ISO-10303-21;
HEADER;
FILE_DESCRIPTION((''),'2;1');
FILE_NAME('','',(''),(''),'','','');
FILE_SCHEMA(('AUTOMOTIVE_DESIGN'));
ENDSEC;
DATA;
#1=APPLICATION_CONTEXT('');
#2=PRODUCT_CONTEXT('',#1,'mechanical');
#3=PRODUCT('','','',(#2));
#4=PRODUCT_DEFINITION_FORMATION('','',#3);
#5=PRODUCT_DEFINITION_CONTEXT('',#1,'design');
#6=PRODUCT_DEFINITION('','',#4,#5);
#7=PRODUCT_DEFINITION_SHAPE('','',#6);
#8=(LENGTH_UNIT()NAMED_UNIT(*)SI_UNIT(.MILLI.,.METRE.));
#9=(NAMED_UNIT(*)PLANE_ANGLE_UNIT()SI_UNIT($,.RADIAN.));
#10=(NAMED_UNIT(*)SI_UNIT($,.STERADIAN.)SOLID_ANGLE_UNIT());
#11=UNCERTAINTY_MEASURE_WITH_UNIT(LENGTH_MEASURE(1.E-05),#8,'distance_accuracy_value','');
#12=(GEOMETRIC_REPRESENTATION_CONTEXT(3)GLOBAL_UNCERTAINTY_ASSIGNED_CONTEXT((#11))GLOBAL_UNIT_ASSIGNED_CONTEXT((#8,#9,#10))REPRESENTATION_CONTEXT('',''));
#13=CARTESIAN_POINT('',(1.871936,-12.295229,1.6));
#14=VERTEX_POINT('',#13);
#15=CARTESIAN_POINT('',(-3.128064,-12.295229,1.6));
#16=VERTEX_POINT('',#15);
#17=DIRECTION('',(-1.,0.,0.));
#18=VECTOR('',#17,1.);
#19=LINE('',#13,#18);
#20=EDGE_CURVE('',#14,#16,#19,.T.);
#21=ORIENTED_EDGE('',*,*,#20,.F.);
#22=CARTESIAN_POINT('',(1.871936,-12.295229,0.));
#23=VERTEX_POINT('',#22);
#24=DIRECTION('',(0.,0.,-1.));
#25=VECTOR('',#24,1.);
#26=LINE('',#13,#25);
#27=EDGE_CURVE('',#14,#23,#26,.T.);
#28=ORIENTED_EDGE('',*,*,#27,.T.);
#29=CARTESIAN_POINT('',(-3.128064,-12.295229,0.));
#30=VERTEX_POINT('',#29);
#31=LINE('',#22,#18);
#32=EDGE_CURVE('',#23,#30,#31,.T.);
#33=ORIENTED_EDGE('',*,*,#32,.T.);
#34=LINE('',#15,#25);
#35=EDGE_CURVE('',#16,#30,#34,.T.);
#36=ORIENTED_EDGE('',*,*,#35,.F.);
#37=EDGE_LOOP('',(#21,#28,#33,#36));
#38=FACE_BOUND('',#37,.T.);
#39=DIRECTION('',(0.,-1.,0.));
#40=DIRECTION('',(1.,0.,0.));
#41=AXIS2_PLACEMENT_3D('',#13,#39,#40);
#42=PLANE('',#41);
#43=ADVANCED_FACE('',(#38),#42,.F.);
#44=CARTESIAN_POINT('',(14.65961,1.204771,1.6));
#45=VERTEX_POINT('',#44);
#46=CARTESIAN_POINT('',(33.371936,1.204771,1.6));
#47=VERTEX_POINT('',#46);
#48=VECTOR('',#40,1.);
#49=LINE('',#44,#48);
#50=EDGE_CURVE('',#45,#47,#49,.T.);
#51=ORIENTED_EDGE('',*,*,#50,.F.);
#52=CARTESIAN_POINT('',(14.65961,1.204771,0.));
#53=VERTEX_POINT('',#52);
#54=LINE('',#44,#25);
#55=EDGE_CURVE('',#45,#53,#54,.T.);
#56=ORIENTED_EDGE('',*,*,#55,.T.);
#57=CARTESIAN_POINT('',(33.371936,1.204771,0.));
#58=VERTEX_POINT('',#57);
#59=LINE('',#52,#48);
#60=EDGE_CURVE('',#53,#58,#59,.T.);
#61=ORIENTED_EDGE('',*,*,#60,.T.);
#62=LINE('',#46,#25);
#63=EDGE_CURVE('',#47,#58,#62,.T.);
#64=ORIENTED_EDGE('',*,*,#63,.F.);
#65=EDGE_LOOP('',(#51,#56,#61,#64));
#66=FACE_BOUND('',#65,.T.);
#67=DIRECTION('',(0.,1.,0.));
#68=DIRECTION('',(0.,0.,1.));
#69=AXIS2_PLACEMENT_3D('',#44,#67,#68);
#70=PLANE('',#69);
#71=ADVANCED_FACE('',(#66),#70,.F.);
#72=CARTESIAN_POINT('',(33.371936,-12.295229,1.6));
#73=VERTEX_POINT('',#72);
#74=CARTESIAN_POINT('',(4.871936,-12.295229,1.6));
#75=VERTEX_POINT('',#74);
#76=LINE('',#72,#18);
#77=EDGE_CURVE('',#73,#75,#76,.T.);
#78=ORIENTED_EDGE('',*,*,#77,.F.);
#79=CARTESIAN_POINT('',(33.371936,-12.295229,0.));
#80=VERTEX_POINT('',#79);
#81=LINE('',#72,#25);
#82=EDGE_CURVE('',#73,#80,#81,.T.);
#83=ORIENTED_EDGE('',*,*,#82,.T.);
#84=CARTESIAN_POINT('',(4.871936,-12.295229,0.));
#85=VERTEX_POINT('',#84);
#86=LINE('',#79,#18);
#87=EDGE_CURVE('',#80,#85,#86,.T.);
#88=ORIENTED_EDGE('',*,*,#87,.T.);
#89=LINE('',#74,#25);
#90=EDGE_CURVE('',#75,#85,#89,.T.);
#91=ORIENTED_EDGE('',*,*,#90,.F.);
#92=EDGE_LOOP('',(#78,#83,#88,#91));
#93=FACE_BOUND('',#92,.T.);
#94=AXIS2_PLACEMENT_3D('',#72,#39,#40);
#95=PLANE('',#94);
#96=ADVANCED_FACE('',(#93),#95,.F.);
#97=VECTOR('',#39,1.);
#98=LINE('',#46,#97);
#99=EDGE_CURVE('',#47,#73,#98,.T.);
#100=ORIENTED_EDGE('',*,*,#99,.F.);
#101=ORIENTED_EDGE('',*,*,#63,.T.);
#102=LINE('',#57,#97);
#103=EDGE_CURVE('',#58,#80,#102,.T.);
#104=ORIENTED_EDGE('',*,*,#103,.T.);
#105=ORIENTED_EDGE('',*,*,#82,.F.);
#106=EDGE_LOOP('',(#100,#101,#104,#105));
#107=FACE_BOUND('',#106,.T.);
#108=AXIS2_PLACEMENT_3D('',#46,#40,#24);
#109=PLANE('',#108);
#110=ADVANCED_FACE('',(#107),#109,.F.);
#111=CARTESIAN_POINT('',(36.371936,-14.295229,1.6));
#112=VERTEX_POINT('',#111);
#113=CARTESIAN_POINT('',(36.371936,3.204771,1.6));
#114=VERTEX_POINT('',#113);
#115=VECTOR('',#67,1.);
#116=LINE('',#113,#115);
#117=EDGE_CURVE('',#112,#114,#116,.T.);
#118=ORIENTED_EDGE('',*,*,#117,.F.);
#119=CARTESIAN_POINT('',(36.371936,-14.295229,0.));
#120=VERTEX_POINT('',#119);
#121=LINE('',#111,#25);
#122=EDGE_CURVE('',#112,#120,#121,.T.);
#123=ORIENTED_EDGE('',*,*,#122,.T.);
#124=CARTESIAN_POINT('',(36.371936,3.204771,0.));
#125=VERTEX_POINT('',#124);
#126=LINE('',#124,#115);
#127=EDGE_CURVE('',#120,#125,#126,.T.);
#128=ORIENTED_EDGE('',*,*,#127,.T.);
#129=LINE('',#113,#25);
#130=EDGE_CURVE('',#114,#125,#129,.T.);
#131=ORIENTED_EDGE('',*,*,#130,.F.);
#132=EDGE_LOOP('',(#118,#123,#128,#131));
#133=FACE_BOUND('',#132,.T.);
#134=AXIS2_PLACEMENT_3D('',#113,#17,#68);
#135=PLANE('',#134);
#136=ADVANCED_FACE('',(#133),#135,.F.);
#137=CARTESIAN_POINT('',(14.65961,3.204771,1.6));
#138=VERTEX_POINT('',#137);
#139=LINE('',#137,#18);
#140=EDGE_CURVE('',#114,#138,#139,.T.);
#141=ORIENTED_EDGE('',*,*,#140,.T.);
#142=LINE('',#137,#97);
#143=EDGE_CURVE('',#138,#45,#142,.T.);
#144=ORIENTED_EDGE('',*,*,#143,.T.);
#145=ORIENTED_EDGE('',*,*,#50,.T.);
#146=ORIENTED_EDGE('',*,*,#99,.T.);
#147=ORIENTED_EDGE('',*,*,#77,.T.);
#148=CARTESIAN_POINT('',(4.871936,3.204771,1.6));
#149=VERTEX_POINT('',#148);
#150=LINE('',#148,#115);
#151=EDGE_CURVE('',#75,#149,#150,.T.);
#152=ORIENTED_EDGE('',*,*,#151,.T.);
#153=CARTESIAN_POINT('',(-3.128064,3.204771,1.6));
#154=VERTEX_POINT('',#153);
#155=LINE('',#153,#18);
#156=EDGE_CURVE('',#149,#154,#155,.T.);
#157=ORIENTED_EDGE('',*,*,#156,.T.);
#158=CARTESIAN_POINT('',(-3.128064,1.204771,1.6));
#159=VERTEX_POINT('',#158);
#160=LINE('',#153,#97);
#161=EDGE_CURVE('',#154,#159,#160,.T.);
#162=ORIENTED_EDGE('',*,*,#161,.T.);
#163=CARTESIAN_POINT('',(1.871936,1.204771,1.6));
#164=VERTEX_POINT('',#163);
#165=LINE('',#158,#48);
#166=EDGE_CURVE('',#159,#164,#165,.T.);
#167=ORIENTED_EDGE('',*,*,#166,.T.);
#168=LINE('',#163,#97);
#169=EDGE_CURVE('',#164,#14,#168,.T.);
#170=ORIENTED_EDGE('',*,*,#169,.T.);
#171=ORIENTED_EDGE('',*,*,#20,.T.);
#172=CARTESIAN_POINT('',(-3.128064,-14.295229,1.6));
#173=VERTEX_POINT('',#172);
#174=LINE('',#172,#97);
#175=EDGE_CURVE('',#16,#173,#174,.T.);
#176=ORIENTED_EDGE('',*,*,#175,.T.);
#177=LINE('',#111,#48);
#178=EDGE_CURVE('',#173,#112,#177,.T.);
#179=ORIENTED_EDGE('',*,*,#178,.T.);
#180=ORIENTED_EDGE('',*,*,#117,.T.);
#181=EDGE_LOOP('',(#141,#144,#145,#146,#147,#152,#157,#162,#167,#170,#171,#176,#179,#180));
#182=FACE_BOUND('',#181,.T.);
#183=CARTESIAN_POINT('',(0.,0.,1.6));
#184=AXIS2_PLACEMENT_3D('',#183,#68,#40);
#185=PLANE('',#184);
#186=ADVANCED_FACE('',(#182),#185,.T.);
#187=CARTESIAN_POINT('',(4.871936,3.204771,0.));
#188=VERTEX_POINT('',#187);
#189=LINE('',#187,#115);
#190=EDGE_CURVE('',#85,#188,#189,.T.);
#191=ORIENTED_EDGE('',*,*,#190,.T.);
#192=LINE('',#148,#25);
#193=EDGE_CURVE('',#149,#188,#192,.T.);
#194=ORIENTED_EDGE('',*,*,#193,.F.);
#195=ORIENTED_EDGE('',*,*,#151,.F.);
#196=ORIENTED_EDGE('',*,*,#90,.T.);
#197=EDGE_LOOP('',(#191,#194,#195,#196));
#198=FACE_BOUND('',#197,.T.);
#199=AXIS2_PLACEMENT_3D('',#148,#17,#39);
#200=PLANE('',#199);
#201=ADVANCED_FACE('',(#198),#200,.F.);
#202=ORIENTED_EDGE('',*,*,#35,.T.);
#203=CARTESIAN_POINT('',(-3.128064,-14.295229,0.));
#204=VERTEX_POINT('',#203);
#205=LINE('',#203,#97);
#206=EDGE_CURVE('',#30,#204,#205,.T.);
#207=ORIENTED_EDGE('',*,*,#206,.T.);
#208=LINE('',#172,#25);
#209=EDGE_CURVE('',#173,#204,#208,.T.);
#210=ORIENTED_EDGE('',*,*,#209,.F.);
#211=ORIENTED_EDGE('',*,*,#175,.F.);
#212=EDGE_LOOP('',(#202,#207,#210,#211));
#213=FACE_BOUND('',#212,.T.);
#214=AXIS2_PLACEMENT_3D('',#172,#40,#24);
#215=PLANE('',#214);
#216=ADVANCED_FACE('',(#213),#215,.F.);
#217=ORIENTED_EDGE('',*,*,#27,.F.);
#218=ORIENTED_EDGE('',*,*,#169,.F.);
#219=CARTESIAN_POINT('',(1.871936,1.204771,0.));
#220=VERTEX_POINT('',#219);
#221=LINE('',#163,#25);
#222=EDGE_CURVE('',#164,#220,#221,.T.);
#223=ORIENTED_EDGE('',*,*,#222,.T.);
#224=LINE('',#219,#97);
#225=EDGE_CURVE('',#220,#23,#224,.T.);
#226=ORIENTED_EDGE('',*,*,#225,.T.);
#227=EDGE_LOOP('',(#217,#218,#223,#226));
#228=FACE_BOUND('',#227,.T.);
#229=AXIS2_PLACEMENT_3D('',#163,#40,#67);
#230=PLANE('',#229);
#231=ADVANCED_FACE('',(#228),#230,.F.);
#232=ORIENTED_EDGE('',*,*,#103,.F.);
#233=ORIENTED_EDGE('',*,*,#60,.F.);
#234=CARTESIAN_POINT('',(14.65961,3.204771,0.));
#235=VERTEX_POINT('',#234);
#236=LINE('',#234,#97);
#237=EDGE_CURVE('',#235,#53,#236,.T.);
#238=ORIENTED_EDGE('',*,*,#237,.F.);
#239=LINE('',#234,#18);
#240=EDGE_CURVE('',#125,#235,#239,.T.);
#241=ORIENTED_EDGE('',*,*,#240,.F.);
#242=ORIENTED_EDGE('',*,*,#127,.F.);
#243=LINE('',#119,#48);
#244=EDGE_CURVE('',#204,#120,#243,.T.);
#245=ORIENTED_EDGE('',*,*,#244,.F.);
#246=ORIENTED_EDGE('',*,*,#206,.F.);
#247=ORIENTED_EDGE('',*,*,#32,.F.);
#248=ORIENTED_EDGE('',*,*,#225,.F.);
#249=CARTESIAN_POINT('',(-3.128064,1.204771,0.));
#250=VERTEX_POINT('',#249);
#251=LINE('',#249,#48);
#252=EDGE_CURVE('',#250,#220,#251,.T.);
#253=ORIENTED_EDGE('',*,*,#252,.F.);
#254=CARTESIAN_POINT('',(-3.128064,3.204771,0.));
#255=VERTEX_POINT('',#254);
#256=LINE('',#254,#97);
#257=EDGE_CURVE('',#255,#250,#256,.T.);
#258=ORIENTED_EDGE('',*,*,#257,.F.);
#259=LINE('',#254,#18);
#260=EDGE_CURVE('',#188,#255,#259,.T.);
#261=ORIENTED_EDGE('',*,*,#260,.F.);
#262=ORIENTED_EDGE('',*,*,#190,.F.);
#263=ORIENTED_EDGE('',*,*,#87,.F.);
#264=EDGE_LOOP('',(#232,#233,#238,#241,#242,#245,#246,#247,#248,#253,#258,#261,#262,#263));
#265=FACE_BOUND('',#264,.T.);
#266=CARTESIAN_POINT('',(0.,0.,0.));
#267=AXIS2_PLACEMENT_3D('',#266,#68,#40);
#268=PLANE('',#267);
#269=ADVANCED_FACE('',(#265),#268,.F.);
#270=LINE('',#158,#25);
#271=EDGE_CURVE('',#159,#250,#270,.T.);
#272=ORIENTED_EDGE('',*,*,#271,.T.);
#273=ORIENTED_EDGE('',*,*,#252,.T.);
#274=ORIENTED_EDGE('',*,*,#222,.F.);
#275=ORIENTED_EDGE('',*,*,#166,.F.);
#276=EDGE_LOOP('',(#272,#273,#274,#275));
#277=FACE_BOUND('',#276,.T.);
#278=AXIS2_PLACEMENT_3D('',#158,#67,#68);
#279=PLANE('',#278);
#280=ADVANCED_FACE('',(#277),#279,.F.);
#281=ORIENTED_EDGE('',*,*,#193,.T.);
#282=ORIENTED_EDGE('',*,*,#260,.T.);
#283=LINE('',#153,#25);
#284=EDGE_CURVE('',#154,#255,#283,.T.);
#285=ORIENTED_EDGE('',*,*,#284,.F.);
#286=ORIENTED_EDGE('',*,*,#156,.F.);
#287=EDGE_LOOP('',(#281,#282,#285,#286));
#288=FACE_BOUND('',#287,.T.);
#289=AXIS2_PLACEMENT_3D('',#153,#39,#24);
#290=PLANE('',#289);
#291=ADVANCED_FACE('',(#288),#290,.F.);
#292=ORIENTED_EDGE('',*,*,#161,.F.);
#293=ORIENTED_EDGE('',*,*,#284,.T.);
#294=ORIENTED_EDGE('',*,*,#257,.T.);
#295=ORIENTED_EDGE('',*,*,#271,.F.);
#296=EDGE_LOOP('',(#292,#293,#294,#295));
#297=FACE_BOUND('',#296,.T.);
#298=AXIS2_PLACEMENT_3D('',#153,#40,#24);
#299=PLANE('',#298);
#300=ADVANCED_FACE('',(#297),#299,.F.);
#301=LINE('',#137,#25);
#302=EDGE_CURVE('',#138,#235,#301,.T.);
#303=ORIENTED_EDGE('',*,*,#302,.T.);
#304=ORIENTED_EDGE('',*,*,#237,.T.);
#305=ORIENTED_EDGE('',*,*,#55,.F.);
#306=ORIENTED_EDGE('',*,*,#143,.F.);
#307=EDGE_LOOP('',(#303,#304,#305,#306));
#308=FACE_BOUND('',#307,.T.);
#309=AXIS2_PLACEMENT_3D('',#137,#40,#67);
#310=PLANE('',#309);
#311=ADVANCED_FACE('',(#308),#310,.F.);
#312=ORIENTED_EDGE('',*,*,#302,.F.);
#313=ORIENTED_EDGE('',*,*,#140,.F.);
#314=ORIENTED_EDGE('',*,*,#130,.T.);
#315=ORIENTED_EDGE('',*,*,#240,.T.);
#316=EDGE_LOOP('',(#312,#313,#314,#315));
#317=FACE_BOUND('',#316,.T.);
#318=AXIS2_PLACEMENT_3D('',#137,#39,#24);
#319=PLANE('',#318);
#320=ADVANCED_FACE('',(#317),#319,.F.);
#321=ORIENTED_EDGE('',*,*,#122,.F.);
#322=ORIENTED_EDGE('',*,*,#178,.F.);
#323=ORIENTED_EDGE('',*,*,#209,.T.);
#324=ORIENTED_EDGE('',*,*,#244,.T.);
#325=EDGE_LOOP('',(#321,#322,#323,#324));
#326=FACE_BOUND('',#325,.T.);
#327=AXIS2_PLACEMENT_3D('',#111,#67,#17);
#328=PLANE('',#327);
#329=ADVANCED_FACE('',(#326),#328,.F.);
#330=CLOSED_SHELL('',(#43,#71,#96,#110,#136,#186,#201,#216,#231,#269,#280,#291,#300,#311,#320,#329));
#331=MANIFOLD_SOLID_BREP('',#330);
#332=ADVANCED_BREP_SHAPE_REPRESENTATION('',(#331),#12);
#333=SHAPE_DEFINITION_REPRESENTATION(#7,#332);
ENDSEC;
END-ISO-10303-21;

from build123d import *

# Parameters (mm, degrees)
EXTRUDE_1_DEPTH = 1.6


with BuildPart() as part:
    # 草图1 → 凸台-拉伸1 (new body)
    with BuildSketch(Plane.XY):
        Polygon((14.659609993, 3.20477089), (36.371935867, 3.20477089), (36.371935867, -14.29522911), (-3.128064133, -14.29522911), (-3.128064133, -12.29522911), (1.871935867, -12.29522911), (1.871935867, 1.20477089), (-3.128064133, 1.20477089), (-3.128064133, 3.20477089), (4.871935867, 3.20477089), (4.871935867, -12.29522911), (33.371935867, -12.29522911), (33.371935867, 1.20477089), (14.659609993, 1.20477089), align=None)
    extrude(amount=EXTRUDE_1_DEPTH)


solid = part.part
